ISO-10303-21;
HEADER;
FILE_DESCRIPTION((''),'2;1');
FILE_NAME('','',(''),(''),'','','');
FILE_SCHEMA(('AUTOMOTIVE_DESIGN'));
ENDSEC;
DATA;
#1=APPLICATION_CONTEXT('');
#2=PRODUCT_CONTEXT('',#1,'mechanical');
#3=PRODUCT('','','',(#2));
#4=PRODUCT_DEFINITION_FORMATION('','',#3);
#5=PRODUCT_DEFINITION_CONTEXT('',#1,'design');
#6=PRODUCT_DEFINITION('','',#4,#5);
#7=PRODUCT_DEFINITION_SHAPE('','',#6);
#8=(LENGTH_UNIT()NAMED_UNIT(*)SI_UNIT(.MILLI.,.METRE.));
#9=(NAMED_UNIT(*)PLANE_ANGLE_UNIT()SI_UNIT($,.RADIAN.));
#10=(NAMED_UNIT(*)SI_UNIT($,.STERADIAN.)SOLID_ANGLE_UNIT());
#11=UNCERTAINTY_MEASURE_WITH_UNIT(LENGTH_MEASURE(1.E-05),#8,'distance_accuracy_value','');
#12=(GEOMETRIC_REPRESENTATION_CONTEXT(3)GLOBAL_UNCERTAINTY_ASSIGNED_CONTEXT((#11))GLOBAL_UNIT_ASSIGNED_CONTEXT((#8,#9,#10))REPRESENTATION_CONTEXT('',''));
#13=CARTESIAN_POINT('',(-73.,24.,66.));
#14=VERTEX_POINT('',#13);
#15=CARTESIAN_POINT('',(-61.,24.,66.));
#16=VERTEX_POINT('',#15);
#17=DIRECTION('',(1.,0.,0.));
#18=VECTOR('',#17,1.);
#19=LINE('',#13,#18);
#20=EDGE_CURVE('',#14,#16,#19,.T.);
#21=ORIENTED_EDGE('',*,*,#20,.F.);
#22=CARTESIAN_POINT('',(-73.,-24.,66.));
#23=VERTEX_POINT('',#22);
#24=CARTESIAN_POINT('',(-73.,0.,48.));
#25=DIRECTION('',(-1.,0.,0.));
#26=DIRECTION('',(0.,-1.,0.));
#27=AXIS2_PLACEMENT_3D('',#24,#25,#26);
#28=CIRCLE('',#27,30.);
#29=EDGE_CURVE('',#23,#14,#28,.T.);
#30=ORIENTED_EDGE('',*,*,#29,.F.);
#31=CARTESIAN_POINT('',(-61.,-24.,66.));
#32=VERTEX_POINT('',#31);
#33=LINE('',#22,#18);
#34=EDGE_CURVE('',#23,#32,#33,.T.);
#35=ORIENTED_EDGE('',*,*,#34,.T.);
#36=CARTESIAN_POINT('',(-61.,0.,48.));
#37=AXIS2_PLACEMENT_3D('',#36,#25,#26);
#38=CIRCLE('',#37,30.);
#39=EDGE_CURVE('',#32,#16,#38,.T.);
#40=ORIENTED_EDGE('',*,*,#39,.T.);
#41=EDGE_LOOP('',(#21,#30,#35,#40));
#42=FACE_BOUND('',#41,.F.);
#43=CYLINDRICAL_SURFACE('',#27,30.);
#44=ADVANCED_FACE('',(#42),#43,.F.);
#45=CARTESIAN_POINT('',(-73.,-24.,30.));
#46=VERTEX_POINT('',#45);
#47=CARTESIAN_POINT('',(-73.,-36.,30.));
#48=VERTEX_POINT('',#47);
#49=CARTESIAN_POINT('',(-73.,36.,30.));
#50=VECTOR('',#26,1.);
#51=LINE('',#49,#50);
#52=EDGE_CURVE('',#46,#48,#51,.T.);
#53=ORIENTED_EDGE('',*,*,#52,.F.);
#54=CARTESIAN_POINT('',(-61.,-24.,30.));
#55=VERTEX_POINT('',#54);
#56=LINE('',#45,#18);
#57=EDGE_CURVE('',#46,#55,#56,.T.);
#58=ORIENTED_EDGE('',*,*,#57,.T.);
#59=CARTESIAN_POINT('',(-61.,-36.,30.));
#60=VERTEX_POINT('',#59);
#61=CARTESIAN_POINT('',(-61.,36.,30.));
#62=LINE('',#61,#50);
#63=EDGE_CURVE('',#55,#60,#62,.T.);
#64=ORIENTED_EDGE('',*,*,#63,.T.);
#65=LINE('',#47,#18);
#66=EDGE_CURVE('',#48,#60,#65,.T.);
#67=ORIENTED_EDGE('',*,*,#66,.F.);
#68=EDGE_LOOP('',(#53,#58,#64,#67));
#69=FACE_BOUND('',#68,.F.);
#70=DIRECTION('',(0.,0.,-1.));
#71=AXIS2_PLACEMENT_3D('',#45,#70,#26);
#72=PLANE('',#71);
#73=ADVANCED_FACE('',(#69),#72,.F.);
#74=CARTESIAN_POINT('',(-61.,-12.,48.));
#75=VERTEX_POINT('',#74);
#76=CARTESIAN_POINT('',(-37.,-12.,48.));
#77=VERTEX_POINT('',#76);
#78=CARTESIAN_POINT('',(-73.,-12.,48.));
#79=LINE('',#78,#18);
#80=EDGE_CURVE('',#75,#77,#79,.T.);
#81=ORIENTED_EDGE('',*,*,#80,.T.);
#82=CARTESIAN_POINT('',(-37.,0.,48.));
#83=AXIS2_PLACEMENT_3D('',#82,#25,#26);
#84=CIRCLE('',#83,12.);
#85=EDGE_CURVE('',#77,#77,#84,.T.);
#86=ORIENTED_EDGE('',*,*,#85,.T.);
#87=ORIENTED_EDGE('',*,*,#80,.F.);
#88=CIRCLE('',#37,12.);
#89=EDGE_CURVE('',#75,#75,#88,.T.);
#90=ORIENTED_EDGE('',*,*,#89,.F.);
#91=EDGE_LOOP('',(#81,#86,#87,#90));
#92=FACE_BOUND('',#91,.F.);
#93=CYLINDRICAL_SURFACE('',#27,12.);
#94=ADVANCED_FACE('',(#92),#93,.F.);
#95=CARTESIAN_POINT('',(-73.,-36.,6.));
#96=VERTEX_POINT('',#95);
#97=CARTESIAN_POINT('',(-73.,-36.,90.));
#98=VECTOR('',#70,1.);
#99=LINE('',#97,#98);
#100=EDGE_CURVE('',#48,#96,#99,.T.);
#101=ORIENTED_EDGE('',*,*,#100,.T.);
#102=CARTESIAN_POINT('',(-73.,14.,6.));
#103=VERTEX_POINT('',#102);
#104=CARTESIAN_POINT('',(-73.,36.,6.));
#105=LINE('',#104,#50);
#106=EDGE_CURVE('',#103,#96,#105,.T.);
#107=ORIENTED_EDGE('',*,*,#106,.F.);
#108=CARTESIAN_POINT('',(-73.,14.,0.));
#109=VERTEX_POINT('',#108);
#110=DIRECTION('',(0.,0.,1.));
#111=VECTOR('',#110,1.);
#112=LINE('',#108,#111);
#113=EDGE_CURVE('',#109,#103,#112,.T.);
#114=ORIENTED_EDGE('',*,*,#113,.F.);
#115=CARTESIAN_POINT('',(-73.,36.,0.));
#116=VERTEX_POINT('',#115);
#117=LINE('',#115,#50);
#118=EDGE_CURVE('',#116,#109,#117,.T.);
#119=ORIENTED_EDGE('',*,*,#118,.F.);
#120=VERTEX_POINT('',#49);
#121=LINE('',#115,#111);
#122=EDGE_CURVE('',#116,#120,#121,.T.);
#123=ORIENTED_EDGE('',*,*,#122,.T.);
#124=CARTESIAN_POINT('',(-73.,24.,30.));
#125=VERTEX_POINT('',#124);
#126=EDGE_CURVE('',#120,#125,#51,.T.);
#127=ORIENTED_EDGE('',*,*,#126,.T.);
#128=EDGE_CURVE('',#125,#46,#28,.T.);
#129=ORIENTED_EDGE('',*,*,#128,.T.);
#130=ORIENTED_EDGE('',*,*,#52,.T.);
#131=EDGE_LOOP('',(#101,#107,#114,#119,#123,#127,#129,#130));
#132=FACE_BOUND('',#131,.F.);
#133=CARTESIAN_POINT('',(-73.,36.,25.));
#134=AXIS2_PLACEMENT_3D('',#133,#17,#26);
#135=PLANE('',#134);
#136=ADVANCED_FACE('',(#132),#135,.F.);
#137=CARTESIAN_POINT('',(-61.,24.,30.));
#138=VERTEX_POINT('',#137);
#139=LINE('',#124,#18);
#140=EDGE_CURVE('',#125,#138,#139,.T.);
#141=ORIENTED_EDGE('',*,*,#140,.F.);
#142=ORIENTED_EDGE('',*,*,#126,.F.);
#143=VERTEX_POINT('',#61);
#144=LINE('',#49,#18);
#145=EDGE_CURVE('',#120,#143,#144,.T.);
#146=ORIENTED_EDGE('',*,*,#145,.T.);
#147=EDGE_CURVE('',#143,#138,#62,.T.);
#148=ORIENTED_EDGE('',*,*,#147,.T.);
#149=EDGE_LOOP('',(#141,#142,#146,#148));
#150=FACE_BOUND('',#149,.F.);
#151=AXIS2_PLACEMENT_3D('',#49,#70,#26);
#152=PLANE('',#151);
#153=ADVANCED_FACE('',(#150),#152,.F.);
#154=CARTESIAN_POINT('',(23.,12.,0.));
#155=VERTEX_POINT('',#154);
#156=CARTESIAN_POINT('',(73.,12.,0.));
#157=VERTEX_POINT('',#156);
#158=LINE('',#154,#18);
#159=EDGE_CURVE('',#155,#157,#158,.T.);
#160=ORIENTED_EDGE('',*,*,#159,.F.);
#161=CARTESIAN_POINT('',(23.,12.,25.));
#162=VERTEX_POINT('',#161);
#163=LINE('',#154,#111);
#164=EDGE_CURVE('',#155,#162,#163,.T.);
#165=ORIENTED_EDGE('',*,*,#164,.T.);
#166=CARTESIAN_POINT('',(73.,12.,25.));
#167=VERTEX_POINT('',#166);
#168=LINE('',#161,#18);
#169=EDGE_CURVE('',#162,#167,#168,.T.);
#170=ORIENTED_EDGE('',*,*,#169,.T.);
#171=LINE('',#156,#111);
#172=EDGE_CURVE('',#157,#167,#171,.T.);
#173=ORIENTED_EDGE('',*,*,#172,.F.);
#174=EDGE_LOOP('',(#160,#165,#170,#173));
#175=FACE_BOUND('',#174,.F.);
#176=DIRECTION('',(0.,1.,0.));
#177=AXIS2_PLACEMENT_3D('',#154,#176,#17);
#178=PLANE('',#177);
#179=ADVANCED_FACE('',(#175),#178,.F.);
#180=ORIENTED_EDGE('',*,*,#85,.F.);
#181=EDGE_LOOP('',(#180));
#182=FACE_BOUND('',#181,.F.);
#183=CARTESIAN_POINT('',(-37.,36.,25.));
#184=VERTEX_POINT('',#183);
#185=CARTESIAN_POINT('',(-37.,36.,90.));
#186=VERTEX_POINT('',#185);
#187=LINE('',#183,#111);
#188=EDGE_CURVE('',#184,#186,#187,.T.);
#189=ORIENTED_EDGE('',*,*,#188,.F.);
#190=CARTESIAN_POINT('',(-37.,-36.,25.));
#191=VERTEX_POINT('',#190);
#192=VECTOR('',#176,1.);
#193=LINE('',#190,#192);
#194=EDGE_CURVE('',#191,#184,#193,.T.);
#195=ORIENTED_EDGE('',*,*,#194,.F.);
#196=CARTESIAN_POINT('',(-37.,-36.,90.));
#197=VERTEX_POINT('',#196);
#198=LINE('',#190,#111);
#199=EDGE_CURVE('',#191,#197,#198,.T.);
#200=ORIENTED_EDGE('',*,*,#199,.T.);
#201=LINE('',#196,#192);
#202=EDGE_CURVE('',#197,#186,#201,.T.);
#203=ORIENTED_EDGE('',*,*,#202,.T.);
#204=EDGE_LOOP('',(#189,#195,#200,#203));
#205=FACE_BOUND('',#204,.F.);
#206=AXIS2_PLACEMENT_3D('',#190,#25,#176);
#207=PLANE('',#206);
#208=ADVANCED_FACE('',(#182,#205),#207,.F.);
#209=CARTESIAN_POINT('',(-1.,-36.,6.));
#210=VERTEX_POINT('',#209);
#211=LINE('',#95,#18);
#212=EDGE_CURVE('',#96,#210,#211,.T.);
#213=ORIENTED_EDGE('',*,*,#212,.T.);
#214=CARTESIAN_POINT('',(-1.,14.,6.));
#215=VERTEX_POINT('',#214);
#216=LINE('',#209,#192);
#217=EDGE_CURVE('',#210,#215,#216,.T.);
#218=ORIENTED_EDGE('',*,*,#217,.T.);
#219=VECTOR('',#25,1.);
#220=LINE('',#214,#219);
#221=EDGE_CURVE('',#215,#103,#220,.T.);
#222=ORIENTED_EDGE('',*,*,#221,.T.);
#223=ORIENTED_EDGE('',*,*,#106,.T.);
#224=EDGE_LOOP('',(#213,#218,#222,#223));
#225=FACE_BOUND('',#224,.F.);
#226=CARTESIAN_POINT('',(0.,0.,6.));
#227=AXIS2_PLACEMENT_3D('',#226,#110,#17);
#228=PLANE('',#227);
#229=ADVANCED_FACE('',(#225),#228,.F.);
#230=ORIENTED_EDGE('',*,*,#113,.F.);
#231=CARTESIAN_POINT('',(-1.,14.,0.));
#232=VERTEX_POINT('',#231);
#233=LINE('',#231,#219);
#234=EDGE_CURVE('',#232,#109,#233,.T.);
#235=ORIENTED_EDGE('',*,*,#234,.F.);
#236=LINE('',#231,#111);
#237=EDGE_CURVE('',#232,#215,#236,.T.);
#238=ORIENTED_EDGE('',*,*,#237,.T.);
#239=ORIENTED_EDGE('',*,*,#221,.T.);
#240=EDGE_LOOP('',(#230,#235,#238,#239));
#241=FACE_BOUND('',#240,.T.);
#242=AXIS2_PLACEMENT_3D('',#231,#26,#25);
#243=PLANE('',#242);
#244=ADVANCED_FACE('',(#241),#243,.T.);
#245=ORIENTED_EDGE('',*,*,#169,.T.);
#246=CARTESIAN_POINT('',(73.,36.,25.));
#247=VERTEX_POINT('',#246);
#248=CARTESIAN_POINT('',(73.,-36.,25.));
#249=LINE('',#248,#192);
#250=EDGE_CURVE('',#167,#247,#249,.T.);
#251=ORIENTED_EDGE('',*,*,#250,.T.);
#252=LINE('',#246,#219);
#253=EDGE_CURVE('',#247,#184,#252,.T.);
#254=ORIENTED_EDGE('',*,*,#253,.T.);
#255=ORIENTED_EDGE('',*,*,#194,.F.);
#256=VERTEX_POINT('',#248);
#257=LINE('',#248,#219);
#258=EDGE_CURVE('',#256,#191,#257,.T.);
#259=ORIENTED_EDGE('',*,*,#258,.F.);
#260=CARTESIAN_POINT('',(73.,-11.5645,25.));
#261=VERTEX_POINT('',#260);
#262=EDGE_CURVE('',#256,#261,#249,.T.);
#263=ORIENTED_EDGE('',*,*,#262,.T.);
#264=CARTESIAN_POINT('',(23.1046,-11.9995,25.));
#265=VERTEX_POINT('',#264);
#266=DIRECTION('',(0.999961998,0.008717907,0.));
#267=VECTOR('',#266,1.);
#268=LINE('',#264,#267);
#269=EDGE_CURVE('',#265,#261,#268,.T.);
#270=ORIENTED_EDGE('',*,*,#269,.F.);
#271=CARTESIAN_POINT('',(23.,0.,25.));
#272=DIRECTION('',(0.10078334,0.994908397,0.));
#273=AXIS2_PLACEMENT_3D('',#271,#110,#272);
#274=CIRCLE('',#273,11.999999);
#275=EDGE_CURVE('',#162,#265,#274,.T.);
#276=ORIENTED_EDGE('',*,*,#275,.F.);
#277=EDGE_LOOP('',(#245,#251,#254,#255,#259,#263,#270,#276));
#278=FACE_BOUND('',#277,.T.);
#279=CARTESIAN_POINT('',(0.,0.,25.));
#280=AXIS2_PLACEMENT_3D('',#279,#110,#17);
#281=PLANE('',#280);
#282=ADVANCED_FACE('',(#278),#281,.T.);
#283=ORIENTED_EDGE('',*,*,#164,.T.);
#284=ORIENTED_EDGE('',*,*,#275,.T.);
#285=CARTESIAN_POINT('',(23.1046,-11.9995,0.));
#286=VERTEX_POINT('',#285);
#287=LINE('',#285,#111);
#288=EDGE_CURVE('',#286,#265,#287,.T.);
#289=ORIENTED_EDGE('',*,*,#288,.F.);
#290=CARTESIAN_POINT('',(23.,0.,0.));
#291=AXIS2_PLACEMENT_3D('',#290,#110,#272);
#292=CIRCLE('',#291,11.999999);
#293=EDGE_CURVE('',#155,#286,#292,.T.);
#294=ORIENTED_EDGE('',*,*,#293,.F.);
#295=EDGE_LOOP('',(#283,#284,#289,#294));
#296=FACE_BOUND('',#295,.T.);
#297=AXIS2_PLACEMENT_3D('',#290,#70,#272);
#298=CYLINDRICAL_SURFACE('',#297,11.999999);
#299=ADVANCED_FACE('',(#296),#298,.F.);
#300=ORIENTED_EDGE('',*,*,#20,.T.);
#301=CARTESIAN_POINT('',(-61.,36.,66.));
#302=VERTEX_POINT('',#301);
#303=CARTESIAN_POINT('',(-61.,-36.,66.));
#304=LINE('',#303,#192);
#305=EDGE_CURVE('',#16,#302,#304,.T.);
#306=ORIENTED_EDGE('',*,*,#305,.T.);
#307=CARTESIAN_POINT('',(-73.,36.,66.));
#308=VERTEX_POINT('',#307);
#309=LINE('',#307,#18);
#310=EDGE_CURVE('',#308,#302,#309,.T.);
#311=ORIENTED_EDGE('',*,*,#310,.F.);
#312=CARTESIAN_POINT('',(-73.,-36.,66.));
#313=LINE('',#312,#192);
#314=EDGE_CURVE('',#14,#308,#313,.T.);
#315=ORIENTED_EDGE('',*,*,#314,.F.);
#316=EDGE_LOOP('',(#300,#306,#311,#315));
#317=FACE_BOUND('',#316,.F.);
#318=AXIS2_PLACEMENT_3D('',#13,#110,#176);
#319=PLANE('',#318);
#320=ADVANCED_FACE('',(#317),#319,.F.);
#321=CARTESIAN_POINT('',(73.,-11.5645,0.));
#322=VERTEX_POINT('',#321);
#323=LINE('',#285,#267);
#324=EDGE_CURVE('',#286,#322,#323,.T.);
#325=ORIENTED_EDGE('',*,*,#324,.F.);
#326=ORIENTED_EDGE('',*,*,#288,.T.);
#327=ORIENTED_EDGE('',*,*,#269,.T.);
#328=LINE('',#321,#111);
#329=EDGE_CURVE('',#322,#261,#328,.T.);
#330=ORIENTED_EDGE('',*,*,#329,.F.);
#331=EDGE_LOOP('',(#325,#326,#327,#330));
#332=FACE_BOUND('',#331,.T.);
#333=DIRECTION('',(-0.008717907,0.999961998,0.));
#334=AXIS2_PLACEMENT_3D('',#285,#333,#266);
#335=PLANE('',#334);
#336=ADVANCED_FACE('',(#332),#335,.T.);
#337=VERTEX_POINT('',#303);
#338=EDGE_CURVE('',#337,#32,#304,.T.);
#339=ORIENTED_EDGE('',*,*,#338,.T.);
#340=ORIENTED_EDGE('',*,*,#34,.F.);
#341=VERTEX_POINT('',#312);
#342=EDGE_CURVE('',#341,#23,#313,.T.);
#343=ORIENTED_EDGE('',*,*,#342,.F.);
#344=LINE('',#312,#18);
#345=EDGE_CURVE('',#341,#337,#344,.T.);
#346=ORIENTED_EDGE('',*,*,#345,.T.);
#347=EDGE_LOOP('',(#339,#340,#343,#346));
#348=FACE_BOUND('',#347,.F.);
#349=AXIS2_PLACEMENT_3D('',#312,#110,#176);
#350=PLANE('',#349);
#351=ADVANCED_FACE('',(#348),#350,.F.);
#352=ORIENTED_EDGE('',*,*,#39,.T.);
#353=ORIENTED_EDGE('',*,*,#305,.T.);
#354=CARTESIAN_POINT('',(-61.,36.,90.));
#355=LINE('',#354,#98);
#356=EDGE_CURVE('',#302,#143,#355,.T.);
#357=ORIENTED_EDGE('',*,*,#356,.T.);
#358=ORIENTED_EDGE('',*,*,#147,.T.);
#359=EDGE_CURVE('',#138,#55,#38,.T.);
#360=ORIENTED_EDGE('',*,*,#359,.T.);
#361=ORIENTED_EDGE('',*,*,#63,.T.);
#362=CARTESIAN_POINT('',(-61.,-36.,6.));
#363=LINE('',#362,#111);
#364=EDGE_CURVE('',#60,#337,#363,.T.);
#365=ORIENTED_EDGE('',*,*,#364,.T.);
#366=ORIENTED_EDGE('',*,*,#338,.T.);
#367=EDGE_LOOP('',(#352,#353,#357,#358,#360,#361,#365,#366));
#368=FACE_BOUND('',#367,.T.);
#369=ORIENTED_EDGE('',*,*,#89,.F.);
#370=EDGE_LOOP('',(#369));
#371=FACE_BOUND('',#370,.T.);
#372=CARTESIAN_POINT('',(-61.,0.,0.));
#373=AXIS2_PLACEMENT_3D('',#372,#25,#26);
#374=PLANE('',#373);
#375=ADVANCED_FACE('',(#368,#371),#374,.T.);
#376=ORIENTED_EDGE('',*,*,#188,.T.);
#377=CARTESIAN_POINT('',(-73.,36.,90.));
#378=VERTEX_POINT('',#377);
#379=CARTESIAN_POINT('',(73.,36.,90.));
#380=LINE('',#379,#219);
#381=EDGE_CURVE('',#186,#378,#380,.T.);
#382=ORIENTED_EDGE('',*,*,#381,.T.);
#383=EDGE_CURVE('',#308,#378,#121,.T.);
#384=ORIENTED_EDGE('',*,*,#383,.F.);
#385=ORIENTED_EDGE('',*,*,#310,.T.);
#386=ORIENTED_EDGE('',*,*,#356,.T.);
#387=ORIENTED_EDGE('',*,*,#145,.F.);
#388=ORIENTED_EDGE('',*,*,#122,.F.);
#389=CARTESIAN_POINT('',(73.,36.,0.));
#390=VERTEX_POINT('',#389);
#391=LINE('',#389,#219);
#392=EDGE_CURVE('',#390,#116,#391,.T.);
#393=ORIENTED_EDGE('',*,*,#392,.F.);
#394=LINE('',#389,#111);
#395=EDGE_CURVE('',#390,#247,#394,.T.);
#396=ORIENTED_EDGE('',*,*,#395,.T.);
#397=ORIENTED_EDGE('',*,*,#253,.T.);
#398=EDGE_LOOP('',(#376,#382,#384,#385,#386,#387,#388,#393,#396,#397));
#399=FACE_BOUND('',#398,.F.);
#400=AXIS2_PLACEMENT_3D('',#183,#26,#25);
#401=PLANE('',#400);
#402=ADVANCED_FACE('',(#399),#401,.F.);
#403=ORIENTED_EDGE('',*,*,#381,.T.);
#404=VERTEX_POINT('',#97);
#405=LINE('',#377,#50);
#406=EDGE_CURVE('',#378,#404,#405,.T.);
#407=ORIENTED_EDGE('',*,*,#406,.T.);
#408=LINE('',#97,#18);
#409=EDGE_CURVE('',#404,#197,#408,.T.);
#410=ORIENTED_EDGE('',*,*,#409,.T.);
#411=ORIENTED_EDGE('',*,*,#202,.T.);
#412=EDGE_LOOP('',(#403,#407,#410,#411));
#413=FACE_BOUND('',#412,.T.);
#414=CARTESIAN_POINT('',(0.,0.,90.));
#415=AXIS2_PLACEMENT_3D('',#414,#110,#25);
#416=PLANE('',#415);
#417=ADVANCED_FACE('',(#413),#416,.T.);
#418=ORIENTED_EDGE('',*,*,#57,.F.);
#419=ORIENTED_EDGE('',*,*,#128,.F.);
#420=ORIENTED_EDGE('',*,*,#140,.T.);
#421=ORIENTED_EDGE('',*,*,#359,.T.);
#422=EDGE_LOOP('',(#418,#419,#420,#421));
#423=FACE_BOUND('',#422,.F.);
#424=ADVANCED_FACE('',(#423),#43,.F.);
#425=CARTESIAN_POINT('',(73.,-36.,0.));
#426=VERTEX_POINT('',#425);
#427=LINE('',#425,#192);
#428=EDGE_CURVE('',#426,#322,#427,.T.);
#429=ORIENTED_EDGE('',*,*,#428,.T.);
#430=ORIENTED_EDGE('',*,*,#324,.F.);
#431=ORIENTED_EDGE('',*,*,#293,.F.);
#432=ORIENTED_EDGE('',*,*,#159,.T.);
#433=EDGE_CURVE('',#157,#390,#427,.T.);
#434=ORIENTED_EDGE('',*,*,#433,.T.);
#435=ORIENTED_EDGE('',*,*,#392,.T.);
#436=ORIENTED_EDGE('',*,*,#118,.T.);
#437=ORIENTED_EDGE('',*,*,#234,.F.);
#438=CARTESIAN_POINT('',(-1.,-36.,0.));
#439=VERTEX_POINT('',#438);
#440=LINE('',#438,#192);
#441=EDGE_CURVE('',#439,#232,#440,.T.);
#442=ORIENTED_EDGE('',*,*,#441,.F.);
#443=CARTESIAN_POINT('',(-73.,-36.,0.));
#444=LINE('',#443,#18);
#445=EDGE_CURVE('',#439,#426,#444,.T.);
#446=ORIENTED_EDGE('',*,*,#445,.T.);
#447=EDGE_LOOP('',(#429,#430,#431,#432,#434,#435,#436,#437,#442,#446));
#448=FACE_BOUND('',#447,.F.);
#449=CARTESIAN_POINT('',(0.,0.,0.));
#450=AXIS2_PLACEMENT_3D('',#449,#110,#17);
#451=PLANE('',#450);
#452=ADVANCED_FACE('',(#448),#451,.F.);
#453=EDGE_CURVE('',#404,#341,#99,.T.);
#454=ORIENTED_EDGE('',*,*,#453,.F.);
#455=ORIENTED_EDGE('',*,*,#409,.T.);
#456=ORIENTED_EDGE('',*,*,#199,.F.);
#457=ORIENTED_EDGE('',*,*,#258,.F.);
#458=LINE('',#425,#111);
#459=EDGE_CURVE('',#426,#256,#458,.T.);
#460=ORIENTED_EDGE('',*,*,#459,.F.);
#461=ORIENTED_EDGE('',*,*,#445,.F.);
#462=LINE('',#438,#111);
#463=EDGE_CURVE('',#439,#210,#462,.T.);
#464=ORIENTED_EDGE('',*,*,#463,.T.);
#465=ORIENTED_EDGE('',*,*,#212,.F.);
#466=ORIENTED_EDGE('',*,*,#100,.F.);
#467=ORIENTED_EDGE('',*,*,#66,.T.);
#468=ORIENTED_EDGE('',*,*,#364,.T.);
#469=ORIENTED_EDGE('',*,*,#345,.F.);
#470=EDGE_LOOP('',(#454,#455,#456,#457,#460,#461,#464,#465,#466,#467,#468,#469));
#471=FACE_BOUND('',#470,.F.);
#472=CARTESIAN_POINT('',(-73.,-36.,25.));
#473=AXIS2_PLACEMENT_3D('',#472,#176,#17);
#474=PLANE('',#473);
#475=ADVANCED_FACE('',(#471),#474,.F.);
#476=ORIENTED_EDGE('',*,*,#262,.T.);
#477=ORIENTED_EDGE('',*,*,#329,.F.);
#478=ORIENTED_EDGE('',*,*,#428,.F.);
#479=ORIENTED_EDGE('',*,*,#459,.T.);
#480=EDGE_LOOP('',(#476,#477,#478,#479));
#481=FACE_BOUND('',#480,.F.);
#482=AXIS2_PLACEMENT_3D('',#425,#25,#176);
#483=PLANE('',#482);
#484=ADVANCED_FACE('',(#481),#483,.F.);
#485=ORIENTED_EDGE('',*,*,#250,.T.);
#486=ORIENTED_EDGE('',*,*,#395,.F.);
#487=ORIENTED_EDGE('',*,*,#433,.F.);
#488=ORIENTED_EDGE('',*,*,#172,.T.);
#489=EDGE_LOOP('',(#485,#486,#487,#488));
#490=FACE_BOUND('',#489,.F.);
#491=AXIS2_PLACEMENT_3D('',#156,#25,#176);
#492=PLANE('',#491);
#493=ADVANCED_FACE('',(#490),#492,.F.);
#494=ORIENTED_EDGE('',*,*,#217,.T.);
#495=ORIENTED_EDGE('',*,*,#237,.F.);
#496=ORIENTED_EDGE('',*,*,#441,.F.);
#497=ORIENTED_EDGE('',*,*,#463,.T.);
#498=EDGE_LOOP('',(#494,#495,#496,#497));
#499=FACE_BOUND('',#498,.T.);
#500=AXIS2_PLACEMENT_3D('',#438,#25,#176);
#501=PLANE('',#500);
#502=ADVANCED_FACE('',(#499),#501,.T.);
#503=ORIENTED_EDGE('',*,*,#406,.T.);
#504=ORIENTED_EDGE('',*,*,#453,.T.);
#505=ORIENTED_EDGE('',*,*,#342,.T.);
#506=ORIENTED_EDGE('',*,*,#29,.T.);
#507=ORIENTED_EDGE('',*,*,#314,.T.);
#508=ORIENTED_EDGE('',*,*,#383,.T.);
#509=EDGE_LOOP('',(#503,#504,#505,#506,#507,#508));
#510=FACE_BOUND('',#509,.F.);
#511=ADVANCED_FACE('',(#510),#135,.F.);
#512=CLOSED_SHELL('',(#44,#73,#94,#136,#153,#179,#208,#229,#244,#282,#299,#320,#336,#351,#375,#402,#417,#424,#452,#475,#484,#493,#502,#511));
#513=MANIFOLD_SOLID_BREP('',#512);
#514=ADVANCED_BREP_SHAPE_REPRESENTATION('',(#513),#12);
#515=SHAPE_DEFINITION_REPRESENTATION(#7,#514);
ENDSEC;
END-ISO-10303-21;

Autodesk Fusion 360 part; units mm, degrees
sketch "Sketch1" plane through (0, 0, 0) normal (0, 0, 1) x (1, 0, 0)
  line L0 (-73, -36) -> (73, -36)
  line L1 (73, -36) -> (73, 36)
  line L2 (73, 36) -> (-73, 36)
  line L3 (-73, 36) -> (-73, -36)
  line L4 (-73, -36) -> (73, 36) construction
  line L5 (73, -36) -> (-73, 36) construction
  line L6 (-73, -36) -> (-1, -36)
  line L7 (-1, -36) -> (-1, 14)
  line L8 (-1, 14) -> (-73, 14)
  line L9 (-73, 14) -> (-73, -36)
  line L10 (23.1046, -11.9995) -> (73, -11.5645)
  line L11 (23, 12) -> (73, 12)
  arc A0 (24.2094, 11.9389) -> (24.2094, -11.9389) centre (23, 0) ccw
  dimension "d1" = 146
  dimension "d2" = 72
  dimension "d3" = 72
  dimension "d4" = 50
  dimension "d5" = 24
extrude "Extrude1" add sketch "Sketch1" along normal blind 25 contours L0 L3 L6 L7 L8 L9 | L0 L1 L2 L3 L7 L8 L10 L11 A0
extrude "Extrude2" cut sketch "Sketch1" along normal blind 6 contours L0 L3 L6 L7 L8 L9
sketch "Sketch2" plane through (0, 0, 25) normal (0, 0, 1) x (-1, 0, 0)
  arc A0 (-23, -12) -> (-23.1046, 11.9995) centre (-23, 0) ccw
  line L0 (-23, -12) -> (-73, -12)
  line L1 (-73, -12) -> (-73, -36)
  line L2 (-73, -36) -> (73, -36)
  line L3 (73, -36) -> (73, 36)
  line L4 (73, 36) -> (-73, 36)
  line L5 (-73, 36) -> (-73, 11.5645)
  line L6 (-73, 11.5645) -> (-23.1046, 11.9995)
  line L7 (73, 36) -> (37, 36)
  line L8 (37, 36) -> (37, -36)
  line L9 (37, -36) -> (73, -36)
  line L10 (73, -36) -> (73, 36)
  dimension "d11" = 36
extrude "Extrude3" add sketch "Sketch2" along normal blind 65 contours L2 L3 L4 L7 L8 L9 L10
sketch "Sketch3" plane through (-73, 0, 0) normal (-1, 0, 0) x (0, -1, 0)
  line L0 (-14, 0) -> (-14, 6)
  line L1 (-14, 6) -> (36, 6)
  line L2 (36, 6) -> (36, 90)
  line L3 (36, 90) -> (-36, 90)
  line L4 (-36, 90) -> (-36, 0)
  line L5 (-36, 0) -> (-14, 0)
  circle A0 centre (0, 48) radius 12
  circle A1 centre (0, 48) radius 30
  line L6 (-36, 90) -> (36, 90)
  line L7 (36, 90) -> (36, 66)
  line L8 (36, 66) -> (-36, 66)
  line L9 (-36, 66) -> (-36, 90)
  line L10 (36, 6) -> (-36, 6)
  line L11 (-36, 6) -> (-36, 30)
  line L12 (-36, 30) -> (36, 30)
  line L13 (36, 30) -> (36, 6)
  dimension "d14" = 24
  dimension "d15" = 60
  dimension "d16" = 48
  dimension "d17" = 24
  dimension "d18" = 24
extrude "Extrude4" cut sketch "Sketch3" against normal through all contours A0
extrude "Extrude5" cut sketch "Sketch3" against normal blind 12 contours L2 A1 L8 L12 | L4 A1 L8 L12 | A1 L8 L12 | A1 L12 | A1 L8
